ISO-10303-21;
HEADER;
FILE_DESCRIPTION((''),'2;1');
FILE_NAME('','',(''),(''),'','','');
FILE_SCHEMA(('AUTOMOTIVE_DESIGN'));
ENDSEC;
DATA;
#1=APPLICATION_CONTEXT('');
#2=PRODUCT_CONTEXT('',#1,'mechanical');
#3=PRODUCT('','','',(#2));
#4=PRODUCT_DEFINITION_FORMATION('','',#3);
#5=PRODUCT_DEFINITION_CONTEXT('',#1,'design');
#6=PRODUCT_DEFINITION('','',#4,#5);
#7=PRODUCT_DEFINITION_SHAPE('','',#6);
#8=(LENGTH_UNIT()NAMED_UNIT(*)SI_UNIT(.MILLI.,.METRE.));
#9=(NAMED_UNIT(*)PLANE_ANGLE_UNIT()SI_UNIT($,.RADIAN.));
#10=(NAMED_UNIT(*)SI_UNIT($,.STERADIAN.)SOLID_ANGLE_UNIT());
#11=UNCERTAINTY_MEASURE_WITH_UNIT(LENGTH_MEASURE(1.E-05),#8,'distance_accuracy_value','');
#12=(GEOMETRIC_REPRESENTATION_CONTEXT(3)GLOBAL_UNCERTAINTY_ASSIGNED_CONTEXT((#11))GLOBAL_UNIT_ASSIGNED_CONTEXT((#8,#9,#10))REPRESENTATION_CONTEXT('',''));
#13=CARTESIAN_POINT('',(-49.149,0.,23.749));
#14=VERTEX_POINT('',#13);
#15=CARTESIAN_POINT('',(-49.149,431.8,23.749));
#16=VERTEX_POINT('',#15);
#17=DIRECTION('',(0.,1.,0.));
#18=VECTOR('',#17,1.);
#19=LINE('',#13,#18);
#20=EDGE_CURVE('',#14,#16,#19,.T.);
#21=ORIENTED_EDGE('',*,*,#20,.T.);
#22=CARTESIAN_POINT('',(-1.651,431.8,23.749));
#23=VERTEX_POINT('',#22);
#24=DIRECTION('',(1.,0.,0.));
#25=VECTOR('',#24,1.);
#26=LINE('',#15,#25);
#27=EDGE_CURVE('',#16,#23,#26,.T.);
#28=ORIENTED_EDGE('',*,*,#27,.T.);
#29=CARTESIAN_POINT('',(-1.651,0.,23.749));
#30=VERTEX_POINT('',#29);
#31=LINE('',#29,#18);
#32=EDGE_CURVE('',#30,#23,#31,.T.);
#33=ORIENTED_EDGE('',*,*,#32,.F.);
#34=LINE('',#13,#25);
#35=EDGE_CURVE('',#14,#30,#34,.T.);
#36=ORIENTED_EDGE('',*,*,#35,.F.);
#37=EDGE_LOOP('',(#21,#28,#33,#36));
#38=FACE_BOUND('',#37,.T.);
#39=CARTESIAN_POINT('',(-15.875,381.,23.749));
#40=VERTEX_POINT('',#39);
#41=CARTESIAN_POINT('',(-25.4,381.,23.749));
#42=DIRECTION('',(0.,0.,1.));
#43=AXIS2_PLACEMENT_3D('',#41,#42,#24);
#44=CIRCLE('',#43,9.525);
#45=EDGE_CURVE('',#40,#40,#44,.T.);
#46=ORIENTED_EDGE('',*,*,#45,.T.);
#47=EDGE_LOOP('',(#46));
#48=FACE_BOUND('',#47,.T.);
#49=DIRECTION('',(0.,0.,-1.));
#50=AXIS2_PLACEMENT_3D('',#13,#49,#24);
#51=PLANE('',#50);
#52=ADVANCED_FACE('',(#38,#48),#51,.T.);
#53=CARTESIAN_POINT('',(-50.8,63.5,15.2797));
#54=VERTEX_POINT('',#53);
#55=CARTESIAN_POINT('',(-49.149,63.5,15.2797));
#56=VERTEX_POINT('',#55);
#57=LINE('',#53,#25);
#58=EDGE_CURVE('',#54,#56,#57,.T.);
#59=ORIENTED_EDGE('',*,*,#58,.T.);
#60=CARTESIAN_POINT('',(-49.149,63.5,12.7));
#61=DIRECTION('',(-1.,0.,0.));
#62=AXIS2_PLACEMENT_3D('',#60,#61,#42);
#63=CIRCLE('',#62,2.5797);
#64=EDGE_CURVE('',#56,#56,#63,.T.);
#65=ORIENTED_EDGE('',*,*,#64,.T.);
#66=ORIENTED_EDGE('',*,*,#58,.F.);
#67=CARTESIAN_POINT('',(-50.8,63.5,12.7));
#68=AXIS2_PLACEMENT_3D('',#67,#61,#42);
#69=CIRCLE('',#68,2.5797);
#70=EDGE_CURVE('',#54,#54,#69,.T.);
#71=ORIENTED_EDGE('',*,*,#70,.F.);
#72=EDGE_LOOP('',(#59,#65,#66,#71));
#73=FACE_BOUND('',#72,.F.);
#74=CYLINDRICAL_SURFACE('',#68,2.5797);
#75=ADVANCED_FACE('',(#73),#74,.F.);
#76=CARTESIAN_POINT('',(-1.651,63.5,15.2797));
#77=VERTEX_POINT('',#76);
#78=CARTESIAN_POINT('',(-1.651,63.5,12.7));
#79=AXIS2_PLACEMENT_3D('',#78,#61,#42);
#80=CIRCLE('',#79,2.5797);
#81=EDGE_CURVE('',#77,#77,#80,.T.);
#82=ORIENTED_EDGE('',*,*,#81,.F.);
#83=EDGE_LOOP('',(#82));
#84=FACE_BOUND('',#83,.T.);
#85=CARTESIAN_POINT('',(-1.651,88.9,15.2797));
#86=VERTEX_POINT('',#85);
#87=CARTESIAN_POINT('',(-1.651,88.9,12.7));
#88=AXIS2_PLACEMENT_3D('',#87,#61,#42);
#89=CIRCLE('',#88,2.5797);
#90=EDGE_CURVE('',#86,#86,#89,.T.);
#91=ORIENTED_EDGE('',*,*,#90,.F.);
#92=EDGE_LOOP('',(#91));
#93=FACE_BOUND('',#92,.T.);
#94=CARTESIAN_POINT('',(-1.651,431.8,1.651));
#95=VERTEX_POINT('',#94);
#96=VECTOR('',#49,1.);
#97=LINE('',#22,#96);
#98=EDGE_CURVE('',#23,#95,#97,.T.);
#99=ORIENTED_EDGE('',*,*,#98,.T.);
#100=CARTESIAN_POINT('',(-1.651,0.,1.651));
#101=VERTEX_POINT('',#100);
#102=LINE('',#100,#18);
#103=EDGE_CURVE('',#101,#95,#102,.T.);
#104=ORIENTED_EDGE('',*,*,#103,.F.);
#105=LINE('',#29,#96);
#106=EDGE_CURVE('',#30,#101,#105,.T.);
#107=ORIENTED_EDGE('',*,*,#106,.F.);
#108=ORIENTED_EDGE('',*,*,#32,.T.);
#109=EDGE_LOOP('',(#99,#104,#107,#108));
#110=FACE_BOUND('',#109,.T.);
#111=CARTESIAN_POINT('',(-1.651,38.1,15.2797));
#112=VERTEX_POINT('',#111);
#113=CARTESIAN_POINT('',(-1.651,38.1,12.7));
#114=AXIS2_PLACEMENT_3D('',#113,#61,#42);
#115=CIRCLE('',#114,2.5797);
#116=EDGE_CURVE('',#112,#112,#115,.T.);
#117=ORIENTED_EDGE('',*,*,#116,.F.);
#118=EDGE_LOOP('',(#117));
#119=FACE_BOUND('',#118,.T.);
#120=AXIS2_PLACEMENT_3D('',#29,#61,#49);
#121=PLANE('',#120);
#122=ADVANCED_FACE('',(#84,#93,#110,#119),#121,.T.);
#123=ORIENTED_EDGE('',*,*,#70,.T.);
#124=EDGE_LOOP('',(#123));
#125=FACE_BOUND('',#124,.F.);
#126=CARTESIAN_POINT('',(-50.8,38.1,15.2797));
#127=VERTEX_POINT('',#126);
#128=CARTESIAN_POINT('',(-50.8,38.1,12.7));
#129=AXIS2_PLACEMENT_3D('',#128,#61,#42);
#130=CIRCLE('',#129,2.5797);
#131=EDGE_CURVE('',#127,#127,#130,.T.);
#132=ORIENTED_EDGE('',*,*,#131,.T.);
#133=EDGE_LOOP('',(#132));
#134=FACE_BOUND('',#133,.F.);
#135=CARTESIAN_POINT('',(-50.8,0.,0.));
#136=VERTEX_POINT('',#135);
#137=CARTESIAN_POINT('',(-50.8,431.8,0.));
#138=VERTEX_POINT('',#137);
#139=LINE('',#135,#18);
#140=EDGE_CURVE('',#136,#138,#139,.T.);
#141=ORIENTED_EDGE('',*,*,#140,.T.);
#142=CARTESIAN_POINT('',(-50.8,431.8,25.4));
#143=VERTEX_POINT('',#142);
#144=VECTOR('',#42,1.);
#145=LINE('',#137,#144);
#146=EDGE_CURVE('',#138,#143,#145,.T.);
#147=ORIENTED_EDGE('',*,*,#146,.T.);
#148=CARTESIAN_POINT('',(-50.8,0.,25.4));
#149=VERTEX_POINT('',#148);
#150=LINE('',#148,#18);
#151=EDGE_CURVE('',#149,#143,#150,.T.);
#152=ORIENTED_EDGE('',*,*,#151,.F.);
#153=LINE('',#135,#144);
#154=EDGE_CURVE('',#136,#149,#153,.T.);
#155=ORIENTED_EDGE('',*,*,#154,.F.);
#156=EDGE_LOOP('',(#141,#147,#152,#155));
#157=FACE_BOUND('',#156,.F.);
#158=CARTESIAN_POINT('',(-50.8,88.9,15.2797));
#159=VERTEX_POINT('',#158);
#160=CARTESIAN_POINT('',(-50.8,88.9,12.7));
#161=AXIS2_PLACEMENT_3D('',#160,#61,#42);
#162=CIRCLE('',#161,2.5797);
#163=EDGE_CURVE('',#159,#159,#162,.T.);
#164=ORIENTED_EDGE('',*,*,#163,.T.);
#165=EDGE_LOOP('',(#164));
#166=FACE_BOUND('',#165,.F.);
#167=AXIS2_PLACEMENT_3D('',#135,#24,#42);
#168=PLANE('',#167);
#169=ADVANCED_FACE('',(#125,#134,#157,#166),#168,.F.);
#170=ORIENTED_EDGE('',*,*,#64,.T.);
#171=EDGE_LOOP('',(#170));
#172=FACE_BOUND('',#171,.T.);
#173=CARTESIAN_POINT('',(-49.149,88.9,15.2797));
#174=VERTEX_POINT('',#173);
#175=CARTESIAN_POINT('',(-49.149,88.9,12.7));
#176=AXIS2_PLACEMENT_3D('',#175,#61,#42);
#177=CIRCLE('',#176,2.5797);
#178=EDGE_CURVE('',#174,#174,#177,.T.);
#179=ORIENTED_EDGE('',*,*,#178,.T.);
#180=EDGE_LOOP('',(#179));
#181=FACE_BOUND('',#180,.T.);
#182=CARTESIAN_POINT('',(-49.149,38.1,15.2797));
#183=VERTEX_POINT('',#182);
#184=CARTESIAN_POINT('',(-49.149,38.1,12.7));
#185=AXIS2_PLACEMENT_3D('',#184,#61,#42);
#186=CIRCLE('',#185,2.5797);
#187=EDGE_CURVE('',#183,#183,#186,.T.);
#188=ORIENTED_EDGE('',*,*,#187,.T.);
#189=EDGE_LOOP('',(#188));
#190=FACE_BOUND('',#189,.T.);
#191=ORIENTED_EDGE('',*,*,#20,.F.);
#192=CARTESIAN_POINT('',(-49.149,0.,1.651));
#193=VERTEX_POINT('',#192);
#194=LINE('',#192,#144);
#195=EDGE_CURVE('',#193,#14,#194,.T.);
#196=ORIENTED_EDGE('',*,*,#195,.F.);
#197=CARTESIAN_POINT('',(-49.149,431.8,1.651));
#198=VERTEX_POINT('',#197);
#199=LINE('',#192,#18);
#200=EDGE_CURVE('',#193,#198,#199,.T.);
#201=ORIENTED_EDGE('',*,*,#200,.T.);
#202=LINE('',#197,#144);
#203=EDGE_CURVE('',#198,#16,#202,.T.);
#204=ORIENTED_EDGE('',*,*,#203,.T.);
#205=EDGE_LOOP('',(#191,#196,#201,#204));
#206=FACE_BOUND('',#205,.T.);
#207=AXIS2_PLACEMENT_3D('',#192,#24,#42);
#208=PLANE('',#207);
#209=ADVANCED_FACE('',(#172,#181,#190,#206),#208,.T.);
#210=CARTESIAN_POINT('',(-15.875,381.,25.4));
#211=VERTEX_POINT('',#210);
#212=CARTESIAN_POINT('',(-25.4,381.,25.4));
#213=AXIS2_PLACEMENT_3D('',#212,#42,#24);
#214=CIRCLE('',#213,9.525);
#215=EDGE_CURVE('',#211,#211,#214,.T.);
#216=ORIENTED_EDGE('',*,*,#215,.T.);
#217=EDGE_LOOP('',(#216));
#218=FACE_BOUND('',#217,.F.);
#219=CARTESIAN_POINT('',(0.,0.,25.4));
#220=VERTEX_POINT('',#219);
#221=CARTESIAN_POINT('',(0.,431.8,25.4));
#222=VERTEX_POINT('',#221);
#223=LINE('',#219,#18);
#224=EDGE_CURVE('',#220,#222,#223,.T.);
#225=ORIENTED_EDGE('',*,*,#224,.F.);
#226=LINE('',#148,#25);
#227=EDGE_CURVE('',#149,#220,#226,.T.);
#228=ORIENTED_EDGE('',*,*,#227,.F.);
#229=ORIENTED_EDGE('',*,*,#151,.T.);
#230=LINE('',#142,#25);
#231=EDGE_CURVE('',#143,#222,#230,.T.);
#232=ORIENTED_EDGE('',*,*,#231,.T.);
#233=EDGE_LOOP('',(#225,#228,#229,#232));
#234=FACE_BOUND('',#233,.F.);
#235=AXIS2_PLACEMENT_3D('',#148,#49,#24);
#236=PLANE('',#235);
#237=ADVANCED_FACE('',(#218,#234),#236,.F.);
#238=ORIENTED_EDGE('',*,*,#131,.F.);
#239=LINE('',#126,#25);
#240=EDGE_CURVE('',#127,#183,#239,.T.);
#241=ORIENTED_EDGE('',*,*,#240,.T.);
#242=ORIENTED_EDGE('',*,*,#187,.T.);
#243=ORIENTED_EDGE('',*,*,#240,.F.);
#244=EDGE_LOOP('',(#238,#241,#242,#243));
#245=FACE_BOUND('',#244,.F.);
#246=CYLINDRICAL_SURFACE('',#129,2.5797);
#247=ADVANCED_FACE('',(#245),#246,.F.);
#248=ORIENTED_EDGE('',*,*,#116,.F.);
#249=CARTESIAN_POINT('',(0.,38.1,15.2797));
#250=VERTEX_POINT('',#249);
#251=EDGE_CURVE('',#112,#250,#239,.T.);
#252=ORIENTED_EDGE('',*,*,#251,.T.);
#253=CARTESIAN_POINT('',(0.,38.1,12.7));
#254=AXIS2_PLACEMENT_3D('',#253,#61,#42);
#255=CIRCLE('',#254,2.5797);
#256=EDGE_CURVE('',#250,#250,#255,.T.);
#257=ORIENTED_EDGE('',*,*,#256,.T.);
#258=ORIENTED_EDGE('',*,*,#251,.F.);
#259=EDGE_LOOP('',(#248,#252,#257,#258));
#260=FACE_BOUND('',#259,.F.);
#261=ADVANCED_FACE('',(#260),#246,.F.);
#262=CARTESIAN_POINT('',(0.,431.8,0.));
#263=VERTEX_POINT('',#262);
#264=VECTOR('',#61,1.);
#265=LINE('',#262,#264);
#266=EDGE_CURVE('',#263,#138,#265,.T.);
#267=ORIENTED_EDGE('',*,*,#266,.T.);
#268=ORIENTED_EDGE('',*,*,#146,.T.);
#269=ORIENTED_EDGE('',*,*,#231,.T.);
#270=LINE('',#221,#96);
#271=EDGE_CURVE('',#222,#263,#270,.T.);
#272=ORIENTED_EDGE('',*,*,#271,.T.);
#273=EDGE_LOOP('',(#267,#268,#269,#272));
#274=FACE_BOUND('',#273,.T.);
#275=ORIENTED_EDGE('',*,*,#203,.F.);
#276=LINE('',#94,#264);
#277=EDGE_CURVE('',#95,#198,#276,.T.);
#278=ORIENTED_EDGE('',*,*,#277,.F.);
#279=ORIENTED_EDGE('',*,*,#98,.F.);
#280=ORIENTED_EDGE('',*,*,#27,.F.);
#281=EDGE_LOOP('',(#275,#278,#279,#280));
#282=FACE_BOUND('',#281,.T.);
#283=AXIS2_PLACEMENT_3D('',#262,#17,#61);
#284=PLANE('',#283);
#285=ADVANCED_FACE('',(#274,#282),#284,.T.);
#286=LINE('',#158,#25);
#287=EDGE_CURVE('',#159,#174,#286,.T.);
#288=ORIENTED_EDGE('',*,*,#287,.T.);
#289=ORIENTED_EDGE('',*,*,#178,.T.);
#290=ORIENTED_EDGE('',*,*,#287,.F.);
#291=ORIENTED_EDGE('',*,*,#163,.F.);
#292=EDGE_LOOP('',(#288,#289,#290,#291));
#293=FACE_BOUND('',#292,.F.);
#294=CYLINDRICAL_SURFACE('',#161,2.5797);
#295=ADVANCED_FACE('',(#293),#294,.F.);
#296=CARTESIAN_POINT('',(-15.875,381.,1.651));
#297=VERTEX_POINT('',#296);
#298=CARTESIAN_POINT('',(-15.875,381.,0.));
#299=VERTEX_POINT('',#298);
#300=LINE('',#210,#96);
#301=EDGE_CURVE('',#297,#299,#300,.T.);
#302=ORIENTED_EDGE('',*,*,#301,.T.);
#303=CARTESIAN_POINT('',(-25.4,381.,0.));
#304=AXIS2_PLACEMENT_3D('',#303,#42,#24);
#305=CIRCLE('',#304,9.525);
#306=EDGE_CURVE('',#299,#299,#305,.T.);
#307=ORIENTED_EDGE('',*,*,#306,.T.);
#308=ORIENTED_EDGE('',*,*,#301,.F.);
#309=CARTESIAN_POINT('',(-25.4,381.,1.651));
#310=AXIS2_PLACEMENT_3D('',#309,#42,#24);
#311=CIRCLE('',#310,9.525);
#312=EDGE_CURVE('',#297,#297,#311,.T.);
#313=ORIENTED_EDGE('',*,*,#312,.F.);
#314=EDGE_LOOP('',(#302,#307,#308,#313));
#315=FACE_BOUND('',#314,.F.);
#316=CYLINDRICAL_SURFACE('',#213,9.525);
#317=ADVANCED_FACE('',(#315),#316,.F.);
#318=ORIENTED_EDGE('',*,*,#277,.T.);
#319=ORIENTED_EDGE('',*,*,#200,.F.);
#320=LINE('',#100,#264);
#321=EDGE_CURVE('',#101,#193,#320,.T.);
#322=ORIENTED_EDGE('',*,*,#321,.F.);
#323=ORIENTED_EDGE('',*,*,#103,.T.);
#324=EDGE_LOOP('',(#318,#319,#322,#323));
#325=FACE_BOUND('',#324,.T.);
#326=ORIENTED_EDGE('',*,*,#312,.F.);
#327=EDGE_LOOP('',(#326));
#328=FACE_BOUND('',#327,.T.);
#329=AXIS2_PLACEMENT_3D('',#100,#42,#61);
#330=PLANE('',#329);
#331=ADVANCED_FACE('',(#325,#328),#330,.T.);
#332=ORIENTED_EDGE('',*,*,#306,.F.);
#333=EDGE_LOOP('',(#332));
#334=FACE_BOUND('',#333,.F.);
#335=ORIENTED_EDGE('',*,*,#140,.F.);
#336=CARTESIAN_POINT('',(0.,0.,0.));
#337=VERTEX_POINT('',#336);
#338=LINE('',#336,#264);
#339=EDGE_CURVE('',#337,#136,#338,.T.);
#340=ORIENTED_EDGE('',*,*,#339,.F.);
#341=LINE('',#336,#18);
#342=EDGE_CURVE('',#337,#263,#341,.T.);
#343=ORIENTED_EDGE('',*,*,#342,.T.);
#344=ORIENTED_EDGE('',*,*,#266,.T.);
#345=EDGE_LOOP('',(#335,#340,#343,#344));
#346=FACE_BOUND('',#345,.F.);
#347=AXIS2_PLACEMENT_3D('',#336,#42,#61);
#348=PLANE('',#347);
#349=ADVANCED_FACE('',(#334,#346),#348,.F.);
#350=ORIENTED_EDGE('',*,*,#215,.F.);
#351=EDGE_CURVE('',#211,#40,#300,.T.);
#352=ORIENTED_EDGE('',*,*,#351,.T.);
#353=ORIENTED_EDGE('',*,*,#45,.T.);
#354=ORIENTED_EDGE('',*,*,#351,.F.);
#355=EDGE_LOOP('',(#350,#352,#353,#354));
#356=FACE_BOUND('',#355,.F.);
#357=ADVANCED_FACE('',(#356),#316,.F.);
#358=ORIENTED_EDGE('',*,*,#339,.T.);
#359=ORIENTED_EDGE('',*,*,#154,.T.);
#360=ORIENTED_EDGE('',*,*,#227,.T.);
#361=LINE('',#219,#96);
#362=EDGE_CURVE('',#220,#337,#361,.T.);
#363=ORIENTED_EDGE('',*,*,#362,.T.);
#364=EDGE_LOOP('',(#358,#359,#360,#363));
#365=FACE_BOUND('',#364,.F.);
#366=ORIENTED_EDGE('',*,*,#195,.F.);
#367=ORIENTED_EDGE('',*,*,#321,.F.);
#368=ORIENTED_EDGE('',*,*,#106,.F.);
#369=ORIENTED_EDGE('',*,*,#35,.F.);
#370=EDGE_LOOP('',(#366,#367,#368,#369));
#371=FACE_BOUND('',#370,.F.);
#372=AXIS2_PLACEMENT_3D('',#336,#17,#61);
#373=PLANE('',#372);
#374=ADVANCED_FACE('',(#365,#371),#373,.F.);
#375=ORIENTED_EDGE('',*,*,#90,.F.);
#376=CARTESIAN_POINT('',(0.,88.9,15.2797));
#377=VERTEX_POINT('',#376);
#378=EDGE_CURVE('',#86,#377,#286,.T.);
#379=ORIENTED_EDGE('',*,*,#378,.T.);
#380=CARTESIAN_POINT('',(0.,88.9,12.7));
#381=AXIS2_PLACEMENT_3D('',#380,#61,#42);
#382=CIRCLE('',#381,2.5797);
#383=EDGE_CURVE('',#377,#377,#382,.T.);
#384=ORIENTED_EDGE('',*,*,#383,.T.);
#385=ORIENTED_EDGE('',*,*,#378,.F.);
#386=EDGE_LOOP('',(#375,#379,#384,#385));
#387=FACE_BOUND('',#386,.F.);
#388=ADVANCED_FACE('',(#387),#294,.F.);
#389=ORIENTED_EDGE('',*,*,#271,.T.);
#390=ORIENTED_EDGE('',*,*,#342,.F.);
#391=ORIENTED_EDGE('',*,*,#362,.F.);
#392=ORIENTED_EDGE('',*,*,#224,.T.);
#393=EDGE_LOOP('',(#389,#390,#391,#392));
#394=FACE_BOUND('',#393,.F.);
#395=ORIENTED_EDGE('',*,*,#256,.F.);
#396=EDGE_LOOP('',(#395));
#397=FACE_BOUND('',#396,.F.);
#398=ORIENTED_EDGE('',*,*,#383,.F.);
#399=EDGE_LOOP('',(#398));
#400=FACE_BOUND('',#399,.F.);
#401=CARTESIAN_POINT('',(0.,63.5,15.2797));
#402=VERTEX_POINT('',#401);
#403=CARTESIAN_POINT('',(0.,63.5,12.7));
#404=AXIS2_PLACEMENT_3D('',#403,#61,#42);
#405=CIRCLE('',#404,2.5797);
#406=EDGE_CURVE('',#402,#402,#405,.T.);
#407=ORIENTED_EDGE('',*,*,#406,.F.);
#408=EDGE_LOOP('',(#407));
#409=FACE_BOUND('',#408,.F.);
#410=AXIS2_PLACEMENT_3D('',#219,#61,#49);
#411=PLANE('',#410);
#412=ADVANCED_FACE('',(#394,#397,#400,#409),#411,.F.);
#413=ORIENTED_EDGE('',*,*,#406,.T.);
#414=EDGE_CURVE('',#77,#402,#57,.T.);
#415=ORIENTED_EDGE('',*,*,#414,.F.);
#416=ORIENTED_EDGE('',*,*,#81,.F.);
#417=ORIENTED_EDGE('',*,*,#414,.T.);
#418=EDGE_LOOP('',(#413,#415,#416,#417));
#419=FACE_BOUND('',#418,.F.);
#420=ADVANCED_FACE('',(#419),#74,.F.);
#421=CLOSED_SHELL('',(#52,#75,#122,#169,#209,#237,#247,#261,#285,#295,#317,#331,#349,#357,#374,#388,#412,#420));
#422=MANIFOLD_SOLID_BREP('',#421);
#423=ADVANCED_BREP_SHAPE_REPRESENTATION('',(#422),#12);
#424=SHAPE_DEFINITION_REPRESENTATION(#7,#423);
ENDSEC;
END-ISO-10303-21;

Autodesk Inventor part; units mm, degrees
ref_plane "YZ Plane" through (0, 0, 0) normal (1, 0, 0) x (0, 1, 0)
ref_plane "XZ Plane" through (0, 0, 0) normal (0, 1, 0) x (-1, 0, 0)
ref_plane "XY Plane" through (0, 0, 0) normal (0, 0, 1) x (1, 0, 0)
sketch "Sketch1" plane through (0, 0, 0) normal (0, 1, 0) x (-1, 0, 0)
  line L0 (0, 0) -> (50.8, 0)
  line L1 (50.8, 0) -> (50.8, 25.4)
  line L2 (50.8, 25.4) -> (0, 25.4)
  line L3 (0, 25.4) -> (0, 0)
  line L4 (49.149, 23.749) -> (1.651, 23.749)
  line L5 (1.651, 23.749) -> (1.651, 1.651)
  line L6 (1.651, 1.651) -> (49.149, 1.651)
  line L7 (49.149, 1.651) -> (49.149, 23.749)
  dimension "d0" = 50.8
  dimension "d1" = 25.4
  dimension "d2" = 1.651
  dimension "d3" = 1.651
  dimension "d4" = 1.651
  dimension "d5" = 1.651
extrude "Extrusion1" add sketch "Sketch1" along normal blind 431.8
sketch "Sketch2" plane through (-50.8, 0, 0) normal (-1, 0, 0) x (0, 0, 1)
  circle A0 centre (12.7, 38.1) radius 2.5797
  circle A1 centre (12.7, 63.5) radius 2.5797
  circle A2 centre (12.7, 88.9) radius 2.5797
  line L0 (0, 0) -> (0, 431.8) projected
  line L1 (0, 0) -> (25.4, 0) projected
  dimension "d8" = 5.1594
  dimension "d9" = 12.7
  dimension "d10" = 12.7
  dimension "d11" = 12.7
  dimension "d12" = 5.1594
  dimension "d13" = 5.1594
  dimension "d14" = 25.4
  dimension "d15" = 50.8
  dimension "d16" = 38.1
extrude "Extrusion2" cut sketch "Sketch2" against normal blind 609.6
sketch "Sketch3" plane through (-50.8, 0, 25.4) normal (0, 0, 1) x (1, 0, 0)
  circle A0 centre (25.4, 381) radius 9.525
  line L0 (0, 431.8) -> (50.8, 431.8) projected
  line L1 (50.8, 0) -> (50.8, 431.8) projected
  dimension "d19" = 19.05
  dimension "d20" = 50.8
  dimension "d26" = 25.4
extrude "Extrusion3" cut sketch "Sketch3" against normal blind 25.4
equation "\"d3\" = d2"
equation "\"d4\" = d2"
equation "\"d5\" = d2"
equation "\"d10\" = d9"
equation "\"d11\" = d9"
equation "\"d12\" = d8"
equation "\"d13\" = d8"
properties part number "mounting part 2"
